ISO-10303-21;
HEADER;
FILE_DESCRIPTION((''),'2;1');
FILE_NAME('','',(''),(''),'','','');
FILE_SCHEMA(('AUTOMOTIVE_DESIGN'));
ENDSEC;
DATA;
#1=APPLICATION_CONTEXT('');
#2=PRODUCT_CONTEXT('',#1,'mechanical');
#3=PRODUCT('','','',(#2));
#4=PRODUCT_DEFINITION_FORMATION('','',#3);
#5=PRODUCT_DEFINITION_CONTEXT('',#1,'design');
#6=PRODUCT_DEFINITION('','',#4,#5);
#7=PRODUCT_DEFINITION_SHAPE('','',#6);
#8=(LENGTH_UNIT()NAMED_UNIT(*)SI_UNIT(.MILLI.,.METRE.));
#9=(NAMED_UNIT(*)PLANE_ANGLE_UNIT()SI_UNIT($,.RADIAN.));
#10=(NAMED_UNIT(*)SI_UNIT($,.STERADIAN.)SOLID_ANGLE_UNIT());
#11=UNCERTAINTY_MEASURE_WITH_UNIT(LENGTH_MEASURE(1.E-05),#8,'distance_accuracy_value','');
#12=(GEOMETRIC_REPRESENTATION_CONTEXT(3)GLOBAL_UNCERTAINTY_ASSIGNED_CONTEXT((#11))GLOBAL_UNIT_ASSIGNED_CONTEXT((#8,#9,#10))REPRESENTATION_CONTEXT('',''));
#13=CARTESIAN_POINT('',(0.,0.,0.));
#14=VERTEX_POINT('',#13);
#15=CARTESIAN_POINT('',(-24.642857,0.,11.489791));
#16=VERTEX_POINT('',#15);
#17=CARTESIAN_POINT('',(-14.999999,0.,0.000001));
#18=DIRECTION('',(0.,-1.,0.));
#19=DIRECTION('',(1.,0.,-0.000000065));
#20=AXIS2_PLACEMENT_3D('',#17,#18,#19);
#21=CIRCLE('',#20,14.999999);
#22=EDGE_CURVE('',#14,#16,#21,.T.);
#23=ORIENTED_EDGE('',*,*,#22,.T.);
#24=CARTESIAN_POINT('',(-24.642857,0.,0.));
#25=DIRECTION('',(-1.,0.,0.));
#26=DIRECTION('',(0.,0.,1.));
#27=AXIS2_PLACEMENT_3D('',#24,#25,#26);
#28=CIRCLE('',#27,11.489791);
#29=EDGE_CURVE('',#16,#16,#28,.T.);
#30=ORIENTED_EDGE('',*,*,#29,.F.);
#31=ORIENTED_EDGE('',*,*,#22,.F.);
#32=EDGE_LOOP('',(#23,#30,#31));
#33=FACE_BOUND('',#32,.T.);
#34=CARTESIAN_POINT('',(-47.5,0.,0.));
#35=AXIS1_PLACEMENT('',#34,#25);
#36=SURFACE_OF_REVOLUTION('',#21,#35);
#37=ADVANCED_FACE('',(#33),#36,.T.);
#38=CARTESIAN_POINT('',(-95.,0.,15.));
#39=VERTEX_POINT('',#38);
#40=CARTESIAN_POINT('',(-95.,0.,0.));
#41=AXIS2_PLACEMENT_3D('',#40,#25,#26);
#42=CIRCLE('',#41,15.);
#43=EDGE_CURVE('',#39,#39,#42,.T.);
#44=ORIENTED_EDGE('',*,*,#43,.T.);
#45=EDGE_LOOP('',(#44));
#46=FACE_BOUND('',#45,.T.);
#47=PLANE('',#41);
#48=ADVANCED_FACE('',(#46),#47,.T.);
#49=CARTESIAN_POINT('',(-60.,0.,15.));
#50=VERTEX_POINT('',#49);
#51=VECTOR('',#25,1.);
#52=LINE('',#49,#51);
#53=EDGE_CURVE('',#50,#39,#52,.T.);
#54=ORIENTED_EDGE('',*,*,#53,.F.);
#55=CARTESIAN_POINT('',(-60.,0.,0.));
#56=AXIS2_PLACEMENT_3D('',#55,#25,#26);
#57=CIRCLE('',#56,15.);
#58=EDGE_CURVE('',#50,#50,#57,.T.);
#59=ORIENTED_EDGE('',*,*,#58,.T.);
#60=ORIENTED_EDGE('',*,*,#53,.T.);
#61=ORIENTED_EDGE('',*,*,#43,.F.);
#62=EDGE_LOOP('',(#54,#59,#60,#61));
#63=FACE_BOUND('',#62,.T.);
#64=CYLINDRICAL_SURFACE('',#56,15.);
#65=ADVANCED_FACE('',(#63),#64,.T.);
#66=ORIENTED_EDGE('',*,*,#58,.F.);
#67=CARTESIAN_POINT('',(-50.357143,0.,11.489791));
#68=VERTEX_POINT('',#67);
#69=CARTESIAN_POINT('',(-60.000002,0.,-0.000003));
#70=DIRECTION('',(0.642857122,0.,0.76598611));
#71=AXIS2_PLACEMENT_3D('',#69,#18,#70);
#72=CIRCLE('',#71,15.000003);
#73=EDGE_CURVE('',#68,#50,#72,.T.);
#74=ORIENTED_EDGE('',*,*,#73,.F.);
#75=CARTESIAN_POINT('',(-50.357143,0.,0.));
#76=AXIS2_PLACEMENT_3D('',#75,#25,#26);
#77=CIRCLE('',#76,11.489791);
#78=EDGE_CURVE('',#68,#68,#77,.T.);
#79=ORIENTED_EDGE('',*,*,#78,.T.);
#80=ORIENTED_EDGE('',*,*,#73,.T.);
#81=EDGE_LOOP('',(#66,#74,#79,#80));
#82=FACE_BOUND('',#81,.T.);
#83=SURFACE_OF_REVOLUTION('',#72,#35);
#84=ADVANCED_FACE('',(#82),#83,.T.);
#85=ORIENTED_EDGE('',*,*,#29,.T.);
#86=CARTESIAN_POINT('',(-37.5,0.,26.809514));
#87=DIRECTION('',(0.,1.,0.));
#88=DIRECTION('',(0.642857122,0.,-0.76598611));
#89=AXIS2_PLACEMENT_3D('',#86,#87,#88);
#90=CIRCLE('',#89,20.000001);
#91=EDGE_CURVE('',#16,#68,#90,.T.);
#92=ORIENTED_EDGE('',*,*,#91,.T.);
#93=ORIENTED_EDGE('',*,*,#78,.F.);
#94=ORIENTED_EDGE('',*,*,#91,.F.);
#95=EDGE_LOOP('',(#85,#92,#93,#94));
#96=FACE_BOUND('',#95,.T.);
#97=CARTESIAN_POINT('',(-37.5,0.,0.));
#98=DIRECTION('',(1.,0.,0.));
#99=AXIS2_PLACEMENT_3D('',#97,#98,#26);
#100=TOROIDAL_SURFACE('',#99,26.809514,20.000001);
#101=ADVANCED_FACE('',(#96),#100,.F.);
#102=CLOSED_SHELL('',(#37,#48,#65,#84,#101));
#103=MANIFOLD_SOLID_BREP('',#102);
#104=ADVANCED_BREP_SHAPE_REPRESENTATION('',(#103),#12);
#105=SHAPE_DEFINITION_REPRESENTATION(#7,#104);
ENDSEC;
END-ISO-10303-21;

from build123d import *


with BuildPart() as f1:
    # F0 (on Front) → F1 (revolve)
    with BuildSketch(Plane.XZ):
        with BuildLine():
            Line((-95, 0), (0, 0))
            ThreePointArc((0, 0), (-8.661343, 13.594905), (-24.642857, 11.489791))
            ThreePointArc((-24.642857, 11.489791), (-37.5, 6.809513), (-50.357143, 11.489791))
            ThreePointArc((-50.357143, 11.489791), (-54.869058, 14.095156), (-60, 15))
            Line((-60, 15), (-95, 15))
            Line((-95, 15), (-95, 0))
        make_face()
    revolve(axis=Axis((-47.5, 0, 0), (-1, 0, 0)))


solid = f1.part
